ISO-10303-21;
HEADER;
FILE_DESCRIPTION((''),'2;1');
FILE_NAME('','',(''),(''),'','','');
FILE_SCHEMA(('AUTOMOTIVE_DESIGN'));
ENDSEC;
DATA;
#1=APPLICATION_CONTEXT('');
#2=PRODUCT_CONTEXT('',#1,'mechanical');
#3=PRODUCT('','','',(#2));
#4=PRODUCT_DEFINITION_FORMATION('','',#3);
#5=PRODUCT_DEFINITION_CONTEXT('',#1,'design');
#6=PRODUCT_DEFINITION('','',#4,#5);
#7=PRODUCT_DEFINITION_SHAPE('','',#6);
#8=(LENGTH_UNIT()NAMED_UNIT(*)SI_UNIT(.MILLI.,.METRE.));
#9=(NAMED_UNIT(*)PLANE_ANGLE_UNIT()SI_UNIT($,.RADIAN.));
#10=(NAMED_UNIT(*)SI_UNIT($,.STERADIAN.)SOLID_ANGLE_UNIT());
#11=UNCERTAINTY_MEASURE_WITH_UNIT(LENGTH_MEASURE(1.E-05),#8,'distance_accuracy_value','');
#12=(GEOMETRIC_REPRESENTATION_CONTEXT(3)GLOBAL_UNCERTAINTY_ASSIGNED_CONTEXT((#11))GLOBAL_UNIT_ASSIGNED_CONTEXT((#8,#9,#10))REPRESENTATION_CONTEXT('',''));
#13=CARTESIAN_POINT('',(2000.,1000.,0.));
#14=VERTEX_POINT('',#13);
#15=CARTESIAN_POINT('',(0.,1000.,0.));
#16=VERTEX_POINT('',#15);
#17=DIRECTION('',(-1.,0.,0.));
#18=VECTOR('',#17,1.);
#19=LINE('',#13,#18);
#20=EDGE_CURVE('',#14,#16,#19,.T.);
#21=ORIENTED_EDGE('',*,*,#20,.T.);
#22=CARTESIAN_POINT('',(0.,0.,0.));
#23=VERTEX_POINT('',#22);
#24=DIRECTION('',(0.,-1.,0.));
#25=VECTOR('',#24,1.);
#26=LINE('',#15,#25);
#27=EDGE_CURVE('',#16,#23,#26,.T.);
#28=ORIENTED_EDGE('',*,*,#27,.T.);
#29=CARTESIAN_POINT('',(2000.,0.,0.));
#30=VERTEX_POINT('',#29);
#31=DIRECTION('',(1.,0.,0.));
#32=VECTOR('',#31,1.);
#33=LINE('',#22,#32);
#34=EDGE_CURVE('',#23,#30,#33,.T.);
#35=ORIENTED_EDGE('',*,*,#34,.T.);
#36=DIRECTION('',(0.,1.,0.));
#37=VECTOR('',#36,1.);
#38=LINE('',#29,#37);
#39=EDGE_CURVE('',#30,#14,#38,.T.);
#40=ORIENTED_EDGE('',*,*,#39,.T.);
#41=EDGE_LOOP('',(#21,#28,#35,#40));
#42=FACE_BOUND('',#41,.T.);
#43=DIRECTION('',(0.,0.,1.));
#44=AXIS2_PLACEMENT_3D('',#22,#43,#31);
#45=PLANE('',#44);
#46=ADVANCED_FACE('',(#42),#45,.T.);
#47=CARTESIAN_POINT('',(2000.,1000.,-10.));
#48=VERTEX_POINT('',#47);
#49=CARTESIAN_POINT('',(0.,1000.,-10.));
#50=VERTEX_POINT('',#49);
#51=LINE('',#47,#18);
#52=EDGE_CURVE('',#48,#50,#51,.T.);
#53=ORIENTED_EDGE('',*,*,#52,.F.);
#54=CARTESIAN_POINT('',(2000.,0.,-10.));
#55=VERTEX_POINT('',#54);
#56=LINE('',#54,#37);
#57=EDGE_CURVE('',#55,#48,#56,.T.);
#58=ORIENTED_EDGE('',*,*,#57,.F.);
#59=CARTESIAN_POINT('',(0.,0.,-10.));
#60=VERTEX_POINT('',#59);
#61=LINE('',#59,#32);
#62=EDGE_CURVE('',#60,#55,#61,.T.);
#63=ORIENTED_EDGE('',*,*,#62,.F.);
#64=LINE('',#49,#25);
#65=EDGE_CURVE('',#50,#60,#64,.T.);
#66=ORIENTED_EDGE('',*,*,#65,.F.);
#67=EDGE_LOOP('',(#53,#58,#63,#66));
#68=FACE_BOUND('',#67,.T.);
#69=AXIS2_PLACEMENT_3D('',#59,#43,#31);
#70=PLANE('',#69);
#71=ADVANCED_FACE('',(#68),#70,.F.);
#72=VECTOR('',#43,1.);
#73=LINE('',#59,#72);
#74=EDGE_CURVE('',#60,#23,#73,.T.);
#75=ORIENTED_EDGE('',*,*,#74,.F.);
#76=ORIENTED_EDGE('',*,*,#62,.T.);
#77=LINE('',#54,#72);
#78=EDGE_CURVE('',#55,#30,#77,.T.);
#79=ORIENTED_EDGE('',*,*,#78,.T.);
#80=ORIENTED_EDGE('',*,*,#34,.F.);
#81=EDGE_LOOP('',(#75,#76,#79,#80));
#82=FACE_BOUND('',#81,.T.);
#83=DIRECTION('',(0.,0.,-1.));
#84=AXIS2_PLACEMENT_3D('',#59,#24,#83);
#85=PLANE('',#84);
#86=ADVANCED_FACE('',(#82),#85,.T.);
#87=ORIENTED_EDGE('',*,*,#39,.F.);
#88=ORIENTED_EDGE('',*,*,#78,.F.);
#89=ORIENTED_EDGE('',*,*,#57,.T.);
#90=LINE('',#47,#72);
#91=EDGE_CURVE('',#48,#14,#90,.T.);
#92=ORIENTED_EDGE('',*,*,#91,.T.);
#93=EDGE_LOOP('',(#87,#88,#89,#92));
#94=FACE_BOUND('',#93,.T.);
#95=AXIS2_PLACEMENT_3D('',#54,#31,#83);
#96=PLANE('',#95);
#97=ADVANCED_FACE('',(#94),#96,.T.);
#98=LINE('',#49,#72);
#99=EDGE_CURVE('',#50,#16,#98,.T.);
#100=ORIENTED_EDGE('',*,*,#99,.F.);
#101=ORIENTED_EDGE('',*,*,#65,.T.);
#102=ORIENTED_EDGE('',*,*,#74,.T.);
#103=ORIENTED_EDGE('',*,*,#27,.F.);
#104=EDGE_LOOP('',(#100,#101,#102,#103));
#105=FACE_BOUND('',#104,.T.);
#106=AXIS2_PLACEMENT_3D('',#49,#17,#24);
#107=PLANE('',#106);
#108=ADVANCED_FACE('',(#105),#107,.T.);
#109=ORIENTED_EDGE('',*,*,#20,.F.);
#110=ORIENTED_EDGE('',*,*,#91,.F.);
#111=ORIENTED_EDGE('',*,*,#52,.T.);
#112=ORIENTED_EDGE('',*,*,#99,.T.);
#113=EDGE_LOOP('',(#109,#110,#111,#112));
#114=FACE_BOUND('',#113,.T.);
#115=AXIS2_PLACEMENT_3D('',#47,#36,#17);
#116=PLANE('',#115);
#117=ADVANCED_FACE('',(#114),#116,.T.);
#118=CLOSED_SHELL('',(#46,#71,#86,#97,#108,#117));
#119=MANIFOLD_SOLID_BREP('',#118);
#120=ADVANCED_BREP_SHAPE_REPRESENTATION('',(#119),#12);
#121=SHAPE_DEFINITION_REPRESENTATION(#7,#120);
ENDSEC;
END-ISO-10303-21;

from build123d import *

# Parameters (mm, degrees)
SKETCH1_W           = 2000
SKETCH1_H           = 1000
BOSS_EXTRUDE1_DEPTH = 10


with BuildPart() as part:
    # Sketch1 → Boss-Extrude1 (new body)
    with BuildSketch(Plane.XY):
        with Locations((1000, 500)):
            Rectangle(SKETCH1_W, SKETCH1_H)
    extrude(amount=-BOSS_EXTRUDE1_DEPTH)


solid = part.part
